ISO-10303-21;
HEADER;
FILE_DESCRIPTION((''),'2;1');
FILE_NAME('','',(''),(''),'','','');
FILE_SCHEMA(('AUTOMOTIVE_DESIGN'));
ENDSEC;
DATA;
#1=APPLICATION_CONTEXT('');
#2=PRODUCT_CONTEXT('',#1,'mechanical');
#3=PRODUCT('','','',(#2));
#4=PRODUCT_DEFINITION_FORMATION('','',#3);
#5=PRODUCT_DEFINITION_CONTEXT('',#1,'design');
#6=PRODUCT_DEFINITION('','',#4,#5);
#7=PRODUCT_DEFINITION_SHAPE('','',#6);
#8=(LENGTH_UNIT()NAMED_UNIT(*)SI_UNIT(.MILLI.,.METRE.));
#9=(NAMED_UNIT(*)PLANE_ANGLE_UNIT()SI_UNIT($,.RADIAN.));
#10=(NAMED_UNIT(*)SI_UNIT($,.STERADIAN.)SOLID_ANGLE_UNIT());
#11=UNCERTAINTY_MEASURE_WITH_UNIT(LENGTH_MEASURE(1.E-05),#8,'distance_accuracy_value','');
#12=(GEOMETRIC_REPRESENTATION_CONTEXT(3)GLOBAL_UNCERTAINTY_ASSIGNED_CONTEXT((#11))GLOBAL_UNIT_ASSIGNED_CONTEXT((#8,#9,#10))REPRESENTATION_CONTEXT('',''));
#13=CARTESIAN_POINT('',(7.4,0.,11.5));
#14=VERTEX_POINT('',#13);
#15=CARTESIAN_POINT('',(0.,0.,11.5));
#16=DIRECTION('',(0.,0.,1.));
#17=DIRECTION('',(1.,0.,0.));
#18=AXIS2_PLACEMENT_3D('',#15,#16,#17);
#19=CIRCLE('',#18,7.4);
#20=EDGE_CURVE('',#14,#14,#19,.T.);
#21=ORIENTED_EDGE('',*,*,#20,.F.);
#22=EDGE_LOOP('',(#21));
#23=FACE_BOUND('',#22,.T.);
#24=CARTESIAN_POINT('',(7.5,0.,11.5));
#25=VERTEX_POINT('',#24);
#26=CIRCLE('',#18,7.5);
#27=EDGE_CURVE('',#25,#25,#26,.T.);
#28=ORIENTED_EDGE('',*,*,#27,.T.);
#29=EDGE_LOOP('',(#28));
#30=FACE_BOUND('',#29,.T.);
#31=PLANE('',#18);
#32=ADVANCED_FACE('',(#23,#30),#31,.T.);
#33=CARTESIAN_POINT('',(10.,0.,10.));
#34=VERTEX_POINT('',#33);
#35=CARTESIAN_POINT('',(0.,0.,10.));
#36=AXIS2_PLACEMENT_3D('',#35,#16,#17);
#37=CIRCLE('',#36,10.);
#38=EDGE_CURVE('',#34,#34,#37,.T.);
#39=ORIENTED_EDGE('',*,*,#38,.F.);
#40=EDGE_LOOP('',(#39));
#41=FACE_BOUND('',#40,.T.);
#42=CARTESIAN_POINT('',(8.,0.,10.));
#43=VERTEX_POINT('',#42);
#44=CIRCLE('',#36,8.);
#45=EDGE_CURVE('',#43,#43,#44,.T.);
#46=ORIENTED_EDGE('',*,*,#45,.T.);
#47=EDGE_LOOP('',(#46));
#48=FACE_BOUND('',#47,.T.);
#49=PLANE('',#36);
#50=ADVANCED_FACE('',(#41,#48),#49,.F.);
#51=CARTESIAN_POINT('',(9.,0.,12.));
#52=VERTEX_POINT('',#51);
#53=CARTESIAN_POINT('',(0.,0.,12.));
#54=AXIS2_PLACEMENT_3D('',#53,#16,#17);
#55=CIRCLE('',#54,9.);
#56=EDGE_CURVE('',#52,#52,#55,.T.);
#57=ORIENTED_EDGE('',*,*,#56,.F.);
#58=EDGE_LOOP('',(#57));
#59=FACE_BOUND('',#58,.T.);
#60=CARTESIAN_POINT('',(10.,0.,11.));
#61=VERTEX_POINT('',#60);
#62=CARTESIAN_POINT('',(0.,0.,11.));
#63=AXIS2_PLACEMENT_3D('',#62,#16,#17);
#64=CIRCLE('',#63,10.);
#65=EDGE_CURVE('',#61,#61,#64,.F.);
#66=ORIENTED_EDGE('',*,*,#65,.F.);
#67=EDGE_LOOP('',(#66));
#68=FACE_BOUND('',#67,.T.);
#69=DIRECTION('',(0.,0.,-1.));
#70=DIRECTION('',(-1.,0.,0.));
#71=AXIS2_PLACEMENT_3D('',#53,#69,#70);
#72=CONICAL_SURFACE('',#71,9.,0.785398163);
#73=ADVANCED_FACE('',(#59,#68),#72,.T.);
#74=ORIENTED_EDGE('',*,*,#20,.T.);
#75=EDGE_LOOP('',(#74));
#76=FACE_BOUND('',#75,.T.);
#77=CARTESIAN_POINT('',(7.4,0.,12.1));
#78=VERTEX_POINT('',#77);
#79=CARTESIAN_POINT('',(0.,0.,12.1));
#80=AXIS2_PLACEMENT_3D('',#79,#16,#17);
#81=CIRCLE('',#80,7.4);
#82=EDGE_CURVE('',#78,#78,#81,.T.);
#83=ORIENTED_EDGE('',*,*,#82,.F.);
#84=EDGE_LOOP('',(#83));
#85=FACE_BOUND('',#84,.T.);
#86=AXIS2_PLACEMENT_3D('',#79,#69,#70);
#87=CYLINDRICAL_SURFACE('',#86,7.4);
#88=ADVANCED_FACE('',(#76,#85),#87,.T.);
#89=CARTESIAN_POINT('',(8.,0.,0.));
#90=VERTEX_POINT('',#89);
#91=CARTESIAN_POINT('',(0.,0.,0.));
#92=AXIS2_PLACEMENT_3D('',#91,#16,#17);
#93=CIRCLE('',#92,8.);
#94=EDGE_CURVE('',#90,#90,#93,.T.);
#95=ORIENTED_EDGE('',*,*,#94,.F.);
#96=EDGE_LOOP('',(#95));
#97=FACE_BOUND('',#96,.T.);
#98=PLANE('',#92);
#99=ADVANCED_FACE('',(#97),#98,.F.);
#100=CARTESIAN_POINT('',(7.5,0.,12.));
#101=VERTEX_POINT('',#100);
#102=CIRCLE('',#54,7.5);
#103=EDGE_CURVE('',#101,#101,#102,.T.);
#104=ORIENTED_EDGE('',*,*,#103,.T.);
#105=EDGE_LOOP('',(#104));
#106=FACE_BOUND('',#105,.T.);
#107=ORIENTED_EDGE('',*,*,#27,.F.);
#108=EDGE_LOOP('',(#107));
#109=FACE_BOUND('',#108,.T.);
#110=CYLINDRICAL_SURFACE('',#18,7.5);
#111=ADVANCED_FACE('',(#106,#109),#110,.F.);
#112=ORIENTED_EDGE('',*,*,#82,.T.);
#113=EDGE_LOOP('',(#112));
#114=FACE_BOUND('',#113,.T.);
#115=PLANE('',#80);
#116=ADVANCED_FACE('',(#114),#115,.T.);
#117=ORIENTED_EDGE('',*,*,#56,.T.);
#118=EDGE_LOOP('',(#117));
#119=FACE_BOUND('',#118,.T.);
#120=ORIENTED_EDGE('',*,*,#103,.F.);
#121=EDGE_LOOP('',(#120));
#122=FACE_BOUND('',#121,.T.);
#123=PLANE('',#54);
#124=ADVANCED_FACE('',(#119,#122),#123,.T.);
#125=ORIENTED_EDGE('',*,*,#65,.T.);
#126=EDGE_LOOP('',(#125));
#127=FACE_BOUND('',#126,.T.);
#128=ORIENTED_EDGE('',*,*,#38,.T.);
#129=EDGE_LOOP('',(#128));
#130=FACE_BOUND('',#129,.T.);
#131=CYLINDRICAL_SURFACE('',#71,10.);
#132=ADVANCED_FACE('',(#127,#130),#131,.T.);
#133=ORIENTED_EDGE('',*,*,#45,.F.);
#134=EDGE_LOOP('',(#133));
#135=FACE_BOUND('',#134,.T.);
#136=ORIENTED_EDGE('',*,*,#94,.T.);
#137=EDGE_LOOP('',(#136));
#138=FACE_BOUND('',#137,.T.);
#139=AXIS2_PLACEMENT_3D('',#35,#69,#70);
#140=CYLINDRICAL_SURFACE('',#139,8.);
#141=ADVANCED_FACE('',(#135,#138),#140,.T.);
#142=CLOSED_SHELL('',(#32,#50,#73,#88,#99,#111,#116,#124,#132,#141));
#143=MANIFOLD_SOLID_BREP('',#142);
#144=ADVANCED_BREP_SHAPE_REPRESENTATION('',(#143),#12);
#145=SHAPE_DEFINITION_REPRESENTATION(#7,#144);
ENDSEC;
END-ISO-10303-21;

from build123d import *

# Parameters (mm, degrees)
ESQUISSE1_R             = 8
BOSS_EXTRU_1_DEPTH      = 10
ESQUISSE2_R             = 10
BOSS_EXTRU_2_DEPTH      = 2
CHANFREIN1_SIZE         = 1
ESQUISSE3_R             = 7.5
ENL_V_MAT_EXTRU_1_DEPTH = 0.5
ESQUISSE4_R             = 7.4
BOSS_EXTRU_3_DEPTH      = 0.6


with BuildPart() as part:
    # Esquisse1 → Boss.-Extru.1 (new body)
    with BuildSketch(Plane.XY):
        Circle(ESQUISSE1_R)
    extrude(amount=BOSS_EXTRU_1_DEPTH)

    # Esquisse2 → Boss.-Extru.2 (add)
    with BuildSketch(Plane.XY.offset(10)):
        Circle(ESQUISSE2_R)
    extrude(amount=BOSS_EXTRU_2_DEPTH)

    # Chanfrein1
    chanfrein1_edges = [part.edges().sort_by_distance(p)[0] for p in [
        (-10, 0, 12),
    ]]
    chamfer(chanfrein1_edges, length=CHANFREIN1_SIZE)

    # Esquisse3 → Enlèv. mat.-Extru.1 (cut)
    with BuildSketch(Plane.XY.offset(12)):
        Circle(ESQUISSE3_R)
    extrude(amount=-ENL_V_MAT_EXTRU_1_DEPTH, mode=Mode.SUBTRACT)

    # Esquisse4 → Boss.-Extru.3 (add)
    with BuildSketch(Plane.XY.offset(11.5)):
        Circle(ESQUISSE4_R)
    extrude(amount=BOSS_EXTRU_3_DEPTH)


solid = part.part
